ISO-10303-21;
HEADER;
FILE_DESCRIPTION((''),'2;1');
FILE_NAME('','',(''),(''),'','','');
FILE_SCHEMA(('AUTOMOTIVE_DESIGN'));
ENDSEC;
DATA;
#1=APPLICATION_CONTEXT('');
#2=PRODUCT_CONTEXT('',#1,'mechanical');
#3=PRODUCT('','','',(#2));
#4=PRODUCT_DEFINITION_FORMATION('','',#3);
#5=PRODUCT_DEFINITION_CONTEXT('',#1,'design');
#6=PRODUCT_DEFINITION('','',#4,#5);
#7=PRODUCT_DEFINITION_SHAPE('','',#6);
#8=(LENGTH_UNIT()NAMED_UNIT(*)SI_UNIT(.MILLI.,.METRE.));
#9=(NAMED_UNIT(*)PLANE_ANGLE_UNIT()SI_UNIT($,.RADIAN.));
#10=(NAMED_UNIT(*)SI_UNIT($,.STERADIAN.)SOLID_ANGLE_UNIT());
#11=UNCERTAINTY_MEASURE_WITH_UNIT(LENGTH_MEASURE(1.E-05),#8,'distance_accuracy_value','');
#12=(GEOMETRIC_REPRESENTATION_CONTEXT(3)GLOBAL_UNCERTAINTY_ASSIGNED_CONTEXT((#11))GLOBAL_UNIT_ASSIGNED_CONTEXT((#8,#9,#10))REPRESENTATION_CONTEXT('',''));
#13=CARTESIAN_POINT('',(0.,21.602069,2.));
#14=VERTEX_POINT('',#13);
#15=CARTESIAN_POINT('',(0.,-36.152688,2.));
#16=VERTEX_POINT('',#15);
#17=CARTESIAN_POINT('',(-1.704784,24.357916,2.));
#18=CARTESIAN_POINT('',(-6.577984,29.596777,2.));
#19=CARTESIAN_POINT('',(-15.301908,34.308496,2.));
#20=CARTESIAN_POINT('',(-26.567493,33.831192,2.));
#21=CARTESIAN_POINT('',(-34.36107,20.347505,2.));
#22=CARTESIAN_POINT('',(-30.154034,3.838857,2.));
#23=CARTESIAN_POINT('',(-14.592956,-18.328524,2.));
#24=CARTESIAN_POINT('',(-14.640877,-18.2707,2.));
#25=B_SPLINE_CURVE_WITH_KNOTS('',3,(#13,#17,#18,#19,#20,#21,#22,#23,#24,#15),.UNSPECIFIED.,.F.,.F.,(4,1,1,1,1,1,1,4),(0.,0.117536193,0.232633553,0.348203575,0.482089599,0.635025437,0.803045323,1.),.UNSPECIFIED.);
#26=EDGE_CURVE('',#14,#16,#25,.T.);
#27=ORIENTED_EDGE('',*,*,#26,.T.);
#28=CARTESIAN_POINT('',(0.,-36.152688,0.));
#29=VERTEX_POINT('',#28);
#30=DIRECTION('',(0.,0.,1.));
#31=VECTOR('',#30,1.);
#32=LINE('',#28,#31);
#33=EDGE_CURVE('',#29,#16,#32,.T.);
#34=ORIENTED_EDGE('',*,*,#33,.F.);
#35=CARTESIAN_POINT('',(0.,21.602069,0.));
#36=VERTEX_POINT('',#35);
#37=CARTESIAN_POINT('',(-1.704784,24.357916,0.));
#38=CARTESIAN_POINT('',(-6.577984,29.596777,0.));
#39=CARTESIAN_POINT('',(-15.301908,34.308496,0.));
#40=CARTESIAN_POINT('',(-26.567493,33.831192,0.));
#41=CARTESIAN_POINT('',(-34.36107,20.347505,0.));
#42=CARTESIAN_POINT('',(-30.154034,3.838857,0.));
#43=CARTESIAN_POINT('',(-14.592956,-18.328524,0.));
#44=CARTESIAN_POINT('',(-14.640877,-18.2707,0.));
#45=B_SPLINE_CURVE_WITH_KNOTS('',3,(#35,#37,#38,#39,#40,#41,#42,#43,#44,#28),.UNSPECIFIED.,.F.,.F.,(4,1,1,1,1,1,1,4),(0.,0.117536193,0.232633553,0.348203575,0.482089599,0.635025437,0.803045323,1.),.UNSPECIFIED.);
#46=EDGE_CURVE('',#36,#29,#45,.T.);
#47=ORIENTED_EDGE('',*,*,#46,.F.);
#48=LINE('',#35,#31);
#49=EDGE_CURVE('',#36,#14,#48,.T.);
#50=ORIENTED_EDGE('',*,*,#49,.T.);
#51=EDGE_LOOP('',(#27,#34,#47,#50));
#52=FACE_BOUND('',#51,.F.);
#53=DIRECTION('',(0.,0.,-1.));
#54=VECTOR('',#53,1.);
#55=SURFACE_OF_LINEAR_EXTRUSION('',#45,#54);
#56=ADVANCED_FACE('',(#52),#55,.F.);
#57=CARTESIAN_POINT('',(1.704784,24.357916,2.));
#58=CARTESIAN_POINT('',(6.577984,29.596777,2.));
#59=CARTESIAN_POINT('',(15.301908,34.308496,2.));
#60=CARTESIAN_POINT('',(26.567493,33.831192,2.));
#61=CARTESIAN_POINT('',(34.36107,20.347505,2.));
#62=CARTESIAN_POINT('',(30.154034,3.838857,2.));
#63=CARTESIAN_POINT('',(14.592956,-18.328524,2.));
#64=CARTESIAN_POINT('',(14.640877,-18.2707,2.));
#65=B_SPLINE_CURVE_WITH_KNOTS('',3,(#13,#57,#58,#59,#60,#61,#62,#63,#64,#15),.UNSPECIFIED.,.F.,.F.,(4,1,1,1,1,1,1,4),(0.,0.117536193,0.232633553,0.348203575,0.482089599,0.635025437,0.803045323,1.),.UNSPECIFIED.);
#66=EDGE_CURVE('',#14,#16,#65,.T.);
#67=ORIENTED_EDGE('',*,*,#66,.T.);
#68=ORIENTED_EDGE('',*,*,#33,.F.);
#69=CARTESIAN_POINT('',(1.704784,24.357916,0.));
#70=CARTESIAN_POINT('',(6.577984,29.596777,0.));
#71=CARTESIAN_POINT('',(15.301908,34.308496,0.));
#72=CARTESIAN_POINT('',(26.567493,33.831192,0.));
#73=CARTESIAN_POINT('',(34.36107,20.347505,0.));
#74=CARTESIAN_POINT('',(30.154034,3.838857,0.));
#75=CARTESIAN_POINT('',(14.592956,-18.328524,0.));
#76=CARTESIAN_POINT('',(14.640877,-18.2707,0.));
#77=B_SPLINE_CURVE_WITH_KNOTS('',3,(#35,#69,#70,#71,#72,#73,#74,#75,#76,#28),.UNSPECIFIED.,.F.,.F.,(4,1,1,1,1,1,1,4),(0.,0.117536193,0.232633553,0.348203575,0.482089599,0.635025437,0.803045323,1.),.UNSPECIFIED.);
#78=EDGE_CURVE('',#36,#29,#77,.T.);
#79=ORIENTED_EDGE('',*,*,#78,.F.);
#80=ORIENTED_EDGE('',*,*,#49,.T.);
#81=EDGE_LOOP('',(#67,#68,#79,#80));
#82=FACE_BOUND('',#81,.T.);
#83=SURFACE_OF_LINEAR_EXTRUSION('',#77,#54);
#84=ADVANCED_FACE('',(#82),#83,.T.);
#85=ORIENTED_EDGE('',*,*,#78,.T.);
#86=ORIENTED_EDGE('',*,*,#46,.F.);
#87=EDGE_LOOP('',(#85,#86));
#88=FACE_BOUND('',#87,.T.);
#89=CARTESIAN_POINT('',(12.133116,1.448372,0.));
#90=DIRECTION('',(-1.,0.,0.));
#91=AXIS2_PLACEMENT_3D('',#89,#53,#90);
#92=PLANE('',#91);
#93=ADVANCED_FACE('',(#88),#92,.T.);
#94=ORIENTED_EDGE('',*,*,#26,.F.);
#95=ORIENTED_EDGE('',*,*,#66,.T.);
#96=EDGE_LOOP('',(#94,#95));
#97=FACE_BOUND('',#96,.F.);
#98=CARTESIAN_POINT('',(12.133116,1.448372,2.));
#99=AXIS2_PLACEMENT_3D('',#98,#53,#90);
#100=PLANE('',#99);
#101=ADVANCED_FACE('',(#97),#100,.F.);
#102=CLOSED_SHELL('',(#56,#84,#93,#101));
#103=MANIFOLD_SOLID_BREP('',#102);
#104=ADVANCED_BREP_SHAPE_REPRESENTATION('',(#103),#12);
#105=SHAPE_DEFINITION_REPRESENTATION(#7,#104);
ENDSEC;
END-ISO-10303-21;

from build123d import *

# Parameters (mm, degrees)
F1_DEPTH = 2


with BuildPart() as f1:
    # F0 (on Top) → F1 (new body)
    with BuildSketch(Plane.XY):
        with BuildLine():
            add(Edge.make_bspline(
                [(0, 21.6020687316), (1.7047842032, 24.3579160308), (6.5779836645, 29.5967769582), (15.3019078268, 34.3084957655), (26.567493363, 33.8311916496), (34.3610701088, 20.3475047161), (30.1540339137, 3.8388566178), (14.5929557271, -18.3285237799), (14.6408766789, -18.2707002767), (0, -36.1526880815)],
                knots=[0, 0, 0, 0, 0.1175361933, 0.2326335528, 0.3482035745, 0.4820895989, 0.6350254368, 0.8030453225, 1, 1, 1, 1], degree=3))
            Line((0, 21.6020687316), (0, -36.1526880815))
        make_face()
        with BuildLine():
            Line((0, -36.1526880815), (0, 21.6020687316))
            add(Edge.make_bspline(
                [(0, 21.6020687316), (-1.7047842032, 24.3579160308), (-6.5779836645, 29.5967769582), (-15.3019078268, 34.3084957655), (-26.567493363, 33.8311916496), (-34.3610701088, 20.3475047161), (-30.1540339137, 3.8388566178), (-14.5929557271, -18.3285237799), (-14.6408766789, -18.2707002767), (0, -36.1526880815)],
                knots=[0, 0, 0, 0, 0.1175361933, 0.2326335528, 0.3482035745, 0.4820895989, 0.6350254368, 0.8030453225, 1, 1, 1, 1], degree=3))
        make_face()
    extrude(amount=F1_DEPTH)


solid = f1.part
